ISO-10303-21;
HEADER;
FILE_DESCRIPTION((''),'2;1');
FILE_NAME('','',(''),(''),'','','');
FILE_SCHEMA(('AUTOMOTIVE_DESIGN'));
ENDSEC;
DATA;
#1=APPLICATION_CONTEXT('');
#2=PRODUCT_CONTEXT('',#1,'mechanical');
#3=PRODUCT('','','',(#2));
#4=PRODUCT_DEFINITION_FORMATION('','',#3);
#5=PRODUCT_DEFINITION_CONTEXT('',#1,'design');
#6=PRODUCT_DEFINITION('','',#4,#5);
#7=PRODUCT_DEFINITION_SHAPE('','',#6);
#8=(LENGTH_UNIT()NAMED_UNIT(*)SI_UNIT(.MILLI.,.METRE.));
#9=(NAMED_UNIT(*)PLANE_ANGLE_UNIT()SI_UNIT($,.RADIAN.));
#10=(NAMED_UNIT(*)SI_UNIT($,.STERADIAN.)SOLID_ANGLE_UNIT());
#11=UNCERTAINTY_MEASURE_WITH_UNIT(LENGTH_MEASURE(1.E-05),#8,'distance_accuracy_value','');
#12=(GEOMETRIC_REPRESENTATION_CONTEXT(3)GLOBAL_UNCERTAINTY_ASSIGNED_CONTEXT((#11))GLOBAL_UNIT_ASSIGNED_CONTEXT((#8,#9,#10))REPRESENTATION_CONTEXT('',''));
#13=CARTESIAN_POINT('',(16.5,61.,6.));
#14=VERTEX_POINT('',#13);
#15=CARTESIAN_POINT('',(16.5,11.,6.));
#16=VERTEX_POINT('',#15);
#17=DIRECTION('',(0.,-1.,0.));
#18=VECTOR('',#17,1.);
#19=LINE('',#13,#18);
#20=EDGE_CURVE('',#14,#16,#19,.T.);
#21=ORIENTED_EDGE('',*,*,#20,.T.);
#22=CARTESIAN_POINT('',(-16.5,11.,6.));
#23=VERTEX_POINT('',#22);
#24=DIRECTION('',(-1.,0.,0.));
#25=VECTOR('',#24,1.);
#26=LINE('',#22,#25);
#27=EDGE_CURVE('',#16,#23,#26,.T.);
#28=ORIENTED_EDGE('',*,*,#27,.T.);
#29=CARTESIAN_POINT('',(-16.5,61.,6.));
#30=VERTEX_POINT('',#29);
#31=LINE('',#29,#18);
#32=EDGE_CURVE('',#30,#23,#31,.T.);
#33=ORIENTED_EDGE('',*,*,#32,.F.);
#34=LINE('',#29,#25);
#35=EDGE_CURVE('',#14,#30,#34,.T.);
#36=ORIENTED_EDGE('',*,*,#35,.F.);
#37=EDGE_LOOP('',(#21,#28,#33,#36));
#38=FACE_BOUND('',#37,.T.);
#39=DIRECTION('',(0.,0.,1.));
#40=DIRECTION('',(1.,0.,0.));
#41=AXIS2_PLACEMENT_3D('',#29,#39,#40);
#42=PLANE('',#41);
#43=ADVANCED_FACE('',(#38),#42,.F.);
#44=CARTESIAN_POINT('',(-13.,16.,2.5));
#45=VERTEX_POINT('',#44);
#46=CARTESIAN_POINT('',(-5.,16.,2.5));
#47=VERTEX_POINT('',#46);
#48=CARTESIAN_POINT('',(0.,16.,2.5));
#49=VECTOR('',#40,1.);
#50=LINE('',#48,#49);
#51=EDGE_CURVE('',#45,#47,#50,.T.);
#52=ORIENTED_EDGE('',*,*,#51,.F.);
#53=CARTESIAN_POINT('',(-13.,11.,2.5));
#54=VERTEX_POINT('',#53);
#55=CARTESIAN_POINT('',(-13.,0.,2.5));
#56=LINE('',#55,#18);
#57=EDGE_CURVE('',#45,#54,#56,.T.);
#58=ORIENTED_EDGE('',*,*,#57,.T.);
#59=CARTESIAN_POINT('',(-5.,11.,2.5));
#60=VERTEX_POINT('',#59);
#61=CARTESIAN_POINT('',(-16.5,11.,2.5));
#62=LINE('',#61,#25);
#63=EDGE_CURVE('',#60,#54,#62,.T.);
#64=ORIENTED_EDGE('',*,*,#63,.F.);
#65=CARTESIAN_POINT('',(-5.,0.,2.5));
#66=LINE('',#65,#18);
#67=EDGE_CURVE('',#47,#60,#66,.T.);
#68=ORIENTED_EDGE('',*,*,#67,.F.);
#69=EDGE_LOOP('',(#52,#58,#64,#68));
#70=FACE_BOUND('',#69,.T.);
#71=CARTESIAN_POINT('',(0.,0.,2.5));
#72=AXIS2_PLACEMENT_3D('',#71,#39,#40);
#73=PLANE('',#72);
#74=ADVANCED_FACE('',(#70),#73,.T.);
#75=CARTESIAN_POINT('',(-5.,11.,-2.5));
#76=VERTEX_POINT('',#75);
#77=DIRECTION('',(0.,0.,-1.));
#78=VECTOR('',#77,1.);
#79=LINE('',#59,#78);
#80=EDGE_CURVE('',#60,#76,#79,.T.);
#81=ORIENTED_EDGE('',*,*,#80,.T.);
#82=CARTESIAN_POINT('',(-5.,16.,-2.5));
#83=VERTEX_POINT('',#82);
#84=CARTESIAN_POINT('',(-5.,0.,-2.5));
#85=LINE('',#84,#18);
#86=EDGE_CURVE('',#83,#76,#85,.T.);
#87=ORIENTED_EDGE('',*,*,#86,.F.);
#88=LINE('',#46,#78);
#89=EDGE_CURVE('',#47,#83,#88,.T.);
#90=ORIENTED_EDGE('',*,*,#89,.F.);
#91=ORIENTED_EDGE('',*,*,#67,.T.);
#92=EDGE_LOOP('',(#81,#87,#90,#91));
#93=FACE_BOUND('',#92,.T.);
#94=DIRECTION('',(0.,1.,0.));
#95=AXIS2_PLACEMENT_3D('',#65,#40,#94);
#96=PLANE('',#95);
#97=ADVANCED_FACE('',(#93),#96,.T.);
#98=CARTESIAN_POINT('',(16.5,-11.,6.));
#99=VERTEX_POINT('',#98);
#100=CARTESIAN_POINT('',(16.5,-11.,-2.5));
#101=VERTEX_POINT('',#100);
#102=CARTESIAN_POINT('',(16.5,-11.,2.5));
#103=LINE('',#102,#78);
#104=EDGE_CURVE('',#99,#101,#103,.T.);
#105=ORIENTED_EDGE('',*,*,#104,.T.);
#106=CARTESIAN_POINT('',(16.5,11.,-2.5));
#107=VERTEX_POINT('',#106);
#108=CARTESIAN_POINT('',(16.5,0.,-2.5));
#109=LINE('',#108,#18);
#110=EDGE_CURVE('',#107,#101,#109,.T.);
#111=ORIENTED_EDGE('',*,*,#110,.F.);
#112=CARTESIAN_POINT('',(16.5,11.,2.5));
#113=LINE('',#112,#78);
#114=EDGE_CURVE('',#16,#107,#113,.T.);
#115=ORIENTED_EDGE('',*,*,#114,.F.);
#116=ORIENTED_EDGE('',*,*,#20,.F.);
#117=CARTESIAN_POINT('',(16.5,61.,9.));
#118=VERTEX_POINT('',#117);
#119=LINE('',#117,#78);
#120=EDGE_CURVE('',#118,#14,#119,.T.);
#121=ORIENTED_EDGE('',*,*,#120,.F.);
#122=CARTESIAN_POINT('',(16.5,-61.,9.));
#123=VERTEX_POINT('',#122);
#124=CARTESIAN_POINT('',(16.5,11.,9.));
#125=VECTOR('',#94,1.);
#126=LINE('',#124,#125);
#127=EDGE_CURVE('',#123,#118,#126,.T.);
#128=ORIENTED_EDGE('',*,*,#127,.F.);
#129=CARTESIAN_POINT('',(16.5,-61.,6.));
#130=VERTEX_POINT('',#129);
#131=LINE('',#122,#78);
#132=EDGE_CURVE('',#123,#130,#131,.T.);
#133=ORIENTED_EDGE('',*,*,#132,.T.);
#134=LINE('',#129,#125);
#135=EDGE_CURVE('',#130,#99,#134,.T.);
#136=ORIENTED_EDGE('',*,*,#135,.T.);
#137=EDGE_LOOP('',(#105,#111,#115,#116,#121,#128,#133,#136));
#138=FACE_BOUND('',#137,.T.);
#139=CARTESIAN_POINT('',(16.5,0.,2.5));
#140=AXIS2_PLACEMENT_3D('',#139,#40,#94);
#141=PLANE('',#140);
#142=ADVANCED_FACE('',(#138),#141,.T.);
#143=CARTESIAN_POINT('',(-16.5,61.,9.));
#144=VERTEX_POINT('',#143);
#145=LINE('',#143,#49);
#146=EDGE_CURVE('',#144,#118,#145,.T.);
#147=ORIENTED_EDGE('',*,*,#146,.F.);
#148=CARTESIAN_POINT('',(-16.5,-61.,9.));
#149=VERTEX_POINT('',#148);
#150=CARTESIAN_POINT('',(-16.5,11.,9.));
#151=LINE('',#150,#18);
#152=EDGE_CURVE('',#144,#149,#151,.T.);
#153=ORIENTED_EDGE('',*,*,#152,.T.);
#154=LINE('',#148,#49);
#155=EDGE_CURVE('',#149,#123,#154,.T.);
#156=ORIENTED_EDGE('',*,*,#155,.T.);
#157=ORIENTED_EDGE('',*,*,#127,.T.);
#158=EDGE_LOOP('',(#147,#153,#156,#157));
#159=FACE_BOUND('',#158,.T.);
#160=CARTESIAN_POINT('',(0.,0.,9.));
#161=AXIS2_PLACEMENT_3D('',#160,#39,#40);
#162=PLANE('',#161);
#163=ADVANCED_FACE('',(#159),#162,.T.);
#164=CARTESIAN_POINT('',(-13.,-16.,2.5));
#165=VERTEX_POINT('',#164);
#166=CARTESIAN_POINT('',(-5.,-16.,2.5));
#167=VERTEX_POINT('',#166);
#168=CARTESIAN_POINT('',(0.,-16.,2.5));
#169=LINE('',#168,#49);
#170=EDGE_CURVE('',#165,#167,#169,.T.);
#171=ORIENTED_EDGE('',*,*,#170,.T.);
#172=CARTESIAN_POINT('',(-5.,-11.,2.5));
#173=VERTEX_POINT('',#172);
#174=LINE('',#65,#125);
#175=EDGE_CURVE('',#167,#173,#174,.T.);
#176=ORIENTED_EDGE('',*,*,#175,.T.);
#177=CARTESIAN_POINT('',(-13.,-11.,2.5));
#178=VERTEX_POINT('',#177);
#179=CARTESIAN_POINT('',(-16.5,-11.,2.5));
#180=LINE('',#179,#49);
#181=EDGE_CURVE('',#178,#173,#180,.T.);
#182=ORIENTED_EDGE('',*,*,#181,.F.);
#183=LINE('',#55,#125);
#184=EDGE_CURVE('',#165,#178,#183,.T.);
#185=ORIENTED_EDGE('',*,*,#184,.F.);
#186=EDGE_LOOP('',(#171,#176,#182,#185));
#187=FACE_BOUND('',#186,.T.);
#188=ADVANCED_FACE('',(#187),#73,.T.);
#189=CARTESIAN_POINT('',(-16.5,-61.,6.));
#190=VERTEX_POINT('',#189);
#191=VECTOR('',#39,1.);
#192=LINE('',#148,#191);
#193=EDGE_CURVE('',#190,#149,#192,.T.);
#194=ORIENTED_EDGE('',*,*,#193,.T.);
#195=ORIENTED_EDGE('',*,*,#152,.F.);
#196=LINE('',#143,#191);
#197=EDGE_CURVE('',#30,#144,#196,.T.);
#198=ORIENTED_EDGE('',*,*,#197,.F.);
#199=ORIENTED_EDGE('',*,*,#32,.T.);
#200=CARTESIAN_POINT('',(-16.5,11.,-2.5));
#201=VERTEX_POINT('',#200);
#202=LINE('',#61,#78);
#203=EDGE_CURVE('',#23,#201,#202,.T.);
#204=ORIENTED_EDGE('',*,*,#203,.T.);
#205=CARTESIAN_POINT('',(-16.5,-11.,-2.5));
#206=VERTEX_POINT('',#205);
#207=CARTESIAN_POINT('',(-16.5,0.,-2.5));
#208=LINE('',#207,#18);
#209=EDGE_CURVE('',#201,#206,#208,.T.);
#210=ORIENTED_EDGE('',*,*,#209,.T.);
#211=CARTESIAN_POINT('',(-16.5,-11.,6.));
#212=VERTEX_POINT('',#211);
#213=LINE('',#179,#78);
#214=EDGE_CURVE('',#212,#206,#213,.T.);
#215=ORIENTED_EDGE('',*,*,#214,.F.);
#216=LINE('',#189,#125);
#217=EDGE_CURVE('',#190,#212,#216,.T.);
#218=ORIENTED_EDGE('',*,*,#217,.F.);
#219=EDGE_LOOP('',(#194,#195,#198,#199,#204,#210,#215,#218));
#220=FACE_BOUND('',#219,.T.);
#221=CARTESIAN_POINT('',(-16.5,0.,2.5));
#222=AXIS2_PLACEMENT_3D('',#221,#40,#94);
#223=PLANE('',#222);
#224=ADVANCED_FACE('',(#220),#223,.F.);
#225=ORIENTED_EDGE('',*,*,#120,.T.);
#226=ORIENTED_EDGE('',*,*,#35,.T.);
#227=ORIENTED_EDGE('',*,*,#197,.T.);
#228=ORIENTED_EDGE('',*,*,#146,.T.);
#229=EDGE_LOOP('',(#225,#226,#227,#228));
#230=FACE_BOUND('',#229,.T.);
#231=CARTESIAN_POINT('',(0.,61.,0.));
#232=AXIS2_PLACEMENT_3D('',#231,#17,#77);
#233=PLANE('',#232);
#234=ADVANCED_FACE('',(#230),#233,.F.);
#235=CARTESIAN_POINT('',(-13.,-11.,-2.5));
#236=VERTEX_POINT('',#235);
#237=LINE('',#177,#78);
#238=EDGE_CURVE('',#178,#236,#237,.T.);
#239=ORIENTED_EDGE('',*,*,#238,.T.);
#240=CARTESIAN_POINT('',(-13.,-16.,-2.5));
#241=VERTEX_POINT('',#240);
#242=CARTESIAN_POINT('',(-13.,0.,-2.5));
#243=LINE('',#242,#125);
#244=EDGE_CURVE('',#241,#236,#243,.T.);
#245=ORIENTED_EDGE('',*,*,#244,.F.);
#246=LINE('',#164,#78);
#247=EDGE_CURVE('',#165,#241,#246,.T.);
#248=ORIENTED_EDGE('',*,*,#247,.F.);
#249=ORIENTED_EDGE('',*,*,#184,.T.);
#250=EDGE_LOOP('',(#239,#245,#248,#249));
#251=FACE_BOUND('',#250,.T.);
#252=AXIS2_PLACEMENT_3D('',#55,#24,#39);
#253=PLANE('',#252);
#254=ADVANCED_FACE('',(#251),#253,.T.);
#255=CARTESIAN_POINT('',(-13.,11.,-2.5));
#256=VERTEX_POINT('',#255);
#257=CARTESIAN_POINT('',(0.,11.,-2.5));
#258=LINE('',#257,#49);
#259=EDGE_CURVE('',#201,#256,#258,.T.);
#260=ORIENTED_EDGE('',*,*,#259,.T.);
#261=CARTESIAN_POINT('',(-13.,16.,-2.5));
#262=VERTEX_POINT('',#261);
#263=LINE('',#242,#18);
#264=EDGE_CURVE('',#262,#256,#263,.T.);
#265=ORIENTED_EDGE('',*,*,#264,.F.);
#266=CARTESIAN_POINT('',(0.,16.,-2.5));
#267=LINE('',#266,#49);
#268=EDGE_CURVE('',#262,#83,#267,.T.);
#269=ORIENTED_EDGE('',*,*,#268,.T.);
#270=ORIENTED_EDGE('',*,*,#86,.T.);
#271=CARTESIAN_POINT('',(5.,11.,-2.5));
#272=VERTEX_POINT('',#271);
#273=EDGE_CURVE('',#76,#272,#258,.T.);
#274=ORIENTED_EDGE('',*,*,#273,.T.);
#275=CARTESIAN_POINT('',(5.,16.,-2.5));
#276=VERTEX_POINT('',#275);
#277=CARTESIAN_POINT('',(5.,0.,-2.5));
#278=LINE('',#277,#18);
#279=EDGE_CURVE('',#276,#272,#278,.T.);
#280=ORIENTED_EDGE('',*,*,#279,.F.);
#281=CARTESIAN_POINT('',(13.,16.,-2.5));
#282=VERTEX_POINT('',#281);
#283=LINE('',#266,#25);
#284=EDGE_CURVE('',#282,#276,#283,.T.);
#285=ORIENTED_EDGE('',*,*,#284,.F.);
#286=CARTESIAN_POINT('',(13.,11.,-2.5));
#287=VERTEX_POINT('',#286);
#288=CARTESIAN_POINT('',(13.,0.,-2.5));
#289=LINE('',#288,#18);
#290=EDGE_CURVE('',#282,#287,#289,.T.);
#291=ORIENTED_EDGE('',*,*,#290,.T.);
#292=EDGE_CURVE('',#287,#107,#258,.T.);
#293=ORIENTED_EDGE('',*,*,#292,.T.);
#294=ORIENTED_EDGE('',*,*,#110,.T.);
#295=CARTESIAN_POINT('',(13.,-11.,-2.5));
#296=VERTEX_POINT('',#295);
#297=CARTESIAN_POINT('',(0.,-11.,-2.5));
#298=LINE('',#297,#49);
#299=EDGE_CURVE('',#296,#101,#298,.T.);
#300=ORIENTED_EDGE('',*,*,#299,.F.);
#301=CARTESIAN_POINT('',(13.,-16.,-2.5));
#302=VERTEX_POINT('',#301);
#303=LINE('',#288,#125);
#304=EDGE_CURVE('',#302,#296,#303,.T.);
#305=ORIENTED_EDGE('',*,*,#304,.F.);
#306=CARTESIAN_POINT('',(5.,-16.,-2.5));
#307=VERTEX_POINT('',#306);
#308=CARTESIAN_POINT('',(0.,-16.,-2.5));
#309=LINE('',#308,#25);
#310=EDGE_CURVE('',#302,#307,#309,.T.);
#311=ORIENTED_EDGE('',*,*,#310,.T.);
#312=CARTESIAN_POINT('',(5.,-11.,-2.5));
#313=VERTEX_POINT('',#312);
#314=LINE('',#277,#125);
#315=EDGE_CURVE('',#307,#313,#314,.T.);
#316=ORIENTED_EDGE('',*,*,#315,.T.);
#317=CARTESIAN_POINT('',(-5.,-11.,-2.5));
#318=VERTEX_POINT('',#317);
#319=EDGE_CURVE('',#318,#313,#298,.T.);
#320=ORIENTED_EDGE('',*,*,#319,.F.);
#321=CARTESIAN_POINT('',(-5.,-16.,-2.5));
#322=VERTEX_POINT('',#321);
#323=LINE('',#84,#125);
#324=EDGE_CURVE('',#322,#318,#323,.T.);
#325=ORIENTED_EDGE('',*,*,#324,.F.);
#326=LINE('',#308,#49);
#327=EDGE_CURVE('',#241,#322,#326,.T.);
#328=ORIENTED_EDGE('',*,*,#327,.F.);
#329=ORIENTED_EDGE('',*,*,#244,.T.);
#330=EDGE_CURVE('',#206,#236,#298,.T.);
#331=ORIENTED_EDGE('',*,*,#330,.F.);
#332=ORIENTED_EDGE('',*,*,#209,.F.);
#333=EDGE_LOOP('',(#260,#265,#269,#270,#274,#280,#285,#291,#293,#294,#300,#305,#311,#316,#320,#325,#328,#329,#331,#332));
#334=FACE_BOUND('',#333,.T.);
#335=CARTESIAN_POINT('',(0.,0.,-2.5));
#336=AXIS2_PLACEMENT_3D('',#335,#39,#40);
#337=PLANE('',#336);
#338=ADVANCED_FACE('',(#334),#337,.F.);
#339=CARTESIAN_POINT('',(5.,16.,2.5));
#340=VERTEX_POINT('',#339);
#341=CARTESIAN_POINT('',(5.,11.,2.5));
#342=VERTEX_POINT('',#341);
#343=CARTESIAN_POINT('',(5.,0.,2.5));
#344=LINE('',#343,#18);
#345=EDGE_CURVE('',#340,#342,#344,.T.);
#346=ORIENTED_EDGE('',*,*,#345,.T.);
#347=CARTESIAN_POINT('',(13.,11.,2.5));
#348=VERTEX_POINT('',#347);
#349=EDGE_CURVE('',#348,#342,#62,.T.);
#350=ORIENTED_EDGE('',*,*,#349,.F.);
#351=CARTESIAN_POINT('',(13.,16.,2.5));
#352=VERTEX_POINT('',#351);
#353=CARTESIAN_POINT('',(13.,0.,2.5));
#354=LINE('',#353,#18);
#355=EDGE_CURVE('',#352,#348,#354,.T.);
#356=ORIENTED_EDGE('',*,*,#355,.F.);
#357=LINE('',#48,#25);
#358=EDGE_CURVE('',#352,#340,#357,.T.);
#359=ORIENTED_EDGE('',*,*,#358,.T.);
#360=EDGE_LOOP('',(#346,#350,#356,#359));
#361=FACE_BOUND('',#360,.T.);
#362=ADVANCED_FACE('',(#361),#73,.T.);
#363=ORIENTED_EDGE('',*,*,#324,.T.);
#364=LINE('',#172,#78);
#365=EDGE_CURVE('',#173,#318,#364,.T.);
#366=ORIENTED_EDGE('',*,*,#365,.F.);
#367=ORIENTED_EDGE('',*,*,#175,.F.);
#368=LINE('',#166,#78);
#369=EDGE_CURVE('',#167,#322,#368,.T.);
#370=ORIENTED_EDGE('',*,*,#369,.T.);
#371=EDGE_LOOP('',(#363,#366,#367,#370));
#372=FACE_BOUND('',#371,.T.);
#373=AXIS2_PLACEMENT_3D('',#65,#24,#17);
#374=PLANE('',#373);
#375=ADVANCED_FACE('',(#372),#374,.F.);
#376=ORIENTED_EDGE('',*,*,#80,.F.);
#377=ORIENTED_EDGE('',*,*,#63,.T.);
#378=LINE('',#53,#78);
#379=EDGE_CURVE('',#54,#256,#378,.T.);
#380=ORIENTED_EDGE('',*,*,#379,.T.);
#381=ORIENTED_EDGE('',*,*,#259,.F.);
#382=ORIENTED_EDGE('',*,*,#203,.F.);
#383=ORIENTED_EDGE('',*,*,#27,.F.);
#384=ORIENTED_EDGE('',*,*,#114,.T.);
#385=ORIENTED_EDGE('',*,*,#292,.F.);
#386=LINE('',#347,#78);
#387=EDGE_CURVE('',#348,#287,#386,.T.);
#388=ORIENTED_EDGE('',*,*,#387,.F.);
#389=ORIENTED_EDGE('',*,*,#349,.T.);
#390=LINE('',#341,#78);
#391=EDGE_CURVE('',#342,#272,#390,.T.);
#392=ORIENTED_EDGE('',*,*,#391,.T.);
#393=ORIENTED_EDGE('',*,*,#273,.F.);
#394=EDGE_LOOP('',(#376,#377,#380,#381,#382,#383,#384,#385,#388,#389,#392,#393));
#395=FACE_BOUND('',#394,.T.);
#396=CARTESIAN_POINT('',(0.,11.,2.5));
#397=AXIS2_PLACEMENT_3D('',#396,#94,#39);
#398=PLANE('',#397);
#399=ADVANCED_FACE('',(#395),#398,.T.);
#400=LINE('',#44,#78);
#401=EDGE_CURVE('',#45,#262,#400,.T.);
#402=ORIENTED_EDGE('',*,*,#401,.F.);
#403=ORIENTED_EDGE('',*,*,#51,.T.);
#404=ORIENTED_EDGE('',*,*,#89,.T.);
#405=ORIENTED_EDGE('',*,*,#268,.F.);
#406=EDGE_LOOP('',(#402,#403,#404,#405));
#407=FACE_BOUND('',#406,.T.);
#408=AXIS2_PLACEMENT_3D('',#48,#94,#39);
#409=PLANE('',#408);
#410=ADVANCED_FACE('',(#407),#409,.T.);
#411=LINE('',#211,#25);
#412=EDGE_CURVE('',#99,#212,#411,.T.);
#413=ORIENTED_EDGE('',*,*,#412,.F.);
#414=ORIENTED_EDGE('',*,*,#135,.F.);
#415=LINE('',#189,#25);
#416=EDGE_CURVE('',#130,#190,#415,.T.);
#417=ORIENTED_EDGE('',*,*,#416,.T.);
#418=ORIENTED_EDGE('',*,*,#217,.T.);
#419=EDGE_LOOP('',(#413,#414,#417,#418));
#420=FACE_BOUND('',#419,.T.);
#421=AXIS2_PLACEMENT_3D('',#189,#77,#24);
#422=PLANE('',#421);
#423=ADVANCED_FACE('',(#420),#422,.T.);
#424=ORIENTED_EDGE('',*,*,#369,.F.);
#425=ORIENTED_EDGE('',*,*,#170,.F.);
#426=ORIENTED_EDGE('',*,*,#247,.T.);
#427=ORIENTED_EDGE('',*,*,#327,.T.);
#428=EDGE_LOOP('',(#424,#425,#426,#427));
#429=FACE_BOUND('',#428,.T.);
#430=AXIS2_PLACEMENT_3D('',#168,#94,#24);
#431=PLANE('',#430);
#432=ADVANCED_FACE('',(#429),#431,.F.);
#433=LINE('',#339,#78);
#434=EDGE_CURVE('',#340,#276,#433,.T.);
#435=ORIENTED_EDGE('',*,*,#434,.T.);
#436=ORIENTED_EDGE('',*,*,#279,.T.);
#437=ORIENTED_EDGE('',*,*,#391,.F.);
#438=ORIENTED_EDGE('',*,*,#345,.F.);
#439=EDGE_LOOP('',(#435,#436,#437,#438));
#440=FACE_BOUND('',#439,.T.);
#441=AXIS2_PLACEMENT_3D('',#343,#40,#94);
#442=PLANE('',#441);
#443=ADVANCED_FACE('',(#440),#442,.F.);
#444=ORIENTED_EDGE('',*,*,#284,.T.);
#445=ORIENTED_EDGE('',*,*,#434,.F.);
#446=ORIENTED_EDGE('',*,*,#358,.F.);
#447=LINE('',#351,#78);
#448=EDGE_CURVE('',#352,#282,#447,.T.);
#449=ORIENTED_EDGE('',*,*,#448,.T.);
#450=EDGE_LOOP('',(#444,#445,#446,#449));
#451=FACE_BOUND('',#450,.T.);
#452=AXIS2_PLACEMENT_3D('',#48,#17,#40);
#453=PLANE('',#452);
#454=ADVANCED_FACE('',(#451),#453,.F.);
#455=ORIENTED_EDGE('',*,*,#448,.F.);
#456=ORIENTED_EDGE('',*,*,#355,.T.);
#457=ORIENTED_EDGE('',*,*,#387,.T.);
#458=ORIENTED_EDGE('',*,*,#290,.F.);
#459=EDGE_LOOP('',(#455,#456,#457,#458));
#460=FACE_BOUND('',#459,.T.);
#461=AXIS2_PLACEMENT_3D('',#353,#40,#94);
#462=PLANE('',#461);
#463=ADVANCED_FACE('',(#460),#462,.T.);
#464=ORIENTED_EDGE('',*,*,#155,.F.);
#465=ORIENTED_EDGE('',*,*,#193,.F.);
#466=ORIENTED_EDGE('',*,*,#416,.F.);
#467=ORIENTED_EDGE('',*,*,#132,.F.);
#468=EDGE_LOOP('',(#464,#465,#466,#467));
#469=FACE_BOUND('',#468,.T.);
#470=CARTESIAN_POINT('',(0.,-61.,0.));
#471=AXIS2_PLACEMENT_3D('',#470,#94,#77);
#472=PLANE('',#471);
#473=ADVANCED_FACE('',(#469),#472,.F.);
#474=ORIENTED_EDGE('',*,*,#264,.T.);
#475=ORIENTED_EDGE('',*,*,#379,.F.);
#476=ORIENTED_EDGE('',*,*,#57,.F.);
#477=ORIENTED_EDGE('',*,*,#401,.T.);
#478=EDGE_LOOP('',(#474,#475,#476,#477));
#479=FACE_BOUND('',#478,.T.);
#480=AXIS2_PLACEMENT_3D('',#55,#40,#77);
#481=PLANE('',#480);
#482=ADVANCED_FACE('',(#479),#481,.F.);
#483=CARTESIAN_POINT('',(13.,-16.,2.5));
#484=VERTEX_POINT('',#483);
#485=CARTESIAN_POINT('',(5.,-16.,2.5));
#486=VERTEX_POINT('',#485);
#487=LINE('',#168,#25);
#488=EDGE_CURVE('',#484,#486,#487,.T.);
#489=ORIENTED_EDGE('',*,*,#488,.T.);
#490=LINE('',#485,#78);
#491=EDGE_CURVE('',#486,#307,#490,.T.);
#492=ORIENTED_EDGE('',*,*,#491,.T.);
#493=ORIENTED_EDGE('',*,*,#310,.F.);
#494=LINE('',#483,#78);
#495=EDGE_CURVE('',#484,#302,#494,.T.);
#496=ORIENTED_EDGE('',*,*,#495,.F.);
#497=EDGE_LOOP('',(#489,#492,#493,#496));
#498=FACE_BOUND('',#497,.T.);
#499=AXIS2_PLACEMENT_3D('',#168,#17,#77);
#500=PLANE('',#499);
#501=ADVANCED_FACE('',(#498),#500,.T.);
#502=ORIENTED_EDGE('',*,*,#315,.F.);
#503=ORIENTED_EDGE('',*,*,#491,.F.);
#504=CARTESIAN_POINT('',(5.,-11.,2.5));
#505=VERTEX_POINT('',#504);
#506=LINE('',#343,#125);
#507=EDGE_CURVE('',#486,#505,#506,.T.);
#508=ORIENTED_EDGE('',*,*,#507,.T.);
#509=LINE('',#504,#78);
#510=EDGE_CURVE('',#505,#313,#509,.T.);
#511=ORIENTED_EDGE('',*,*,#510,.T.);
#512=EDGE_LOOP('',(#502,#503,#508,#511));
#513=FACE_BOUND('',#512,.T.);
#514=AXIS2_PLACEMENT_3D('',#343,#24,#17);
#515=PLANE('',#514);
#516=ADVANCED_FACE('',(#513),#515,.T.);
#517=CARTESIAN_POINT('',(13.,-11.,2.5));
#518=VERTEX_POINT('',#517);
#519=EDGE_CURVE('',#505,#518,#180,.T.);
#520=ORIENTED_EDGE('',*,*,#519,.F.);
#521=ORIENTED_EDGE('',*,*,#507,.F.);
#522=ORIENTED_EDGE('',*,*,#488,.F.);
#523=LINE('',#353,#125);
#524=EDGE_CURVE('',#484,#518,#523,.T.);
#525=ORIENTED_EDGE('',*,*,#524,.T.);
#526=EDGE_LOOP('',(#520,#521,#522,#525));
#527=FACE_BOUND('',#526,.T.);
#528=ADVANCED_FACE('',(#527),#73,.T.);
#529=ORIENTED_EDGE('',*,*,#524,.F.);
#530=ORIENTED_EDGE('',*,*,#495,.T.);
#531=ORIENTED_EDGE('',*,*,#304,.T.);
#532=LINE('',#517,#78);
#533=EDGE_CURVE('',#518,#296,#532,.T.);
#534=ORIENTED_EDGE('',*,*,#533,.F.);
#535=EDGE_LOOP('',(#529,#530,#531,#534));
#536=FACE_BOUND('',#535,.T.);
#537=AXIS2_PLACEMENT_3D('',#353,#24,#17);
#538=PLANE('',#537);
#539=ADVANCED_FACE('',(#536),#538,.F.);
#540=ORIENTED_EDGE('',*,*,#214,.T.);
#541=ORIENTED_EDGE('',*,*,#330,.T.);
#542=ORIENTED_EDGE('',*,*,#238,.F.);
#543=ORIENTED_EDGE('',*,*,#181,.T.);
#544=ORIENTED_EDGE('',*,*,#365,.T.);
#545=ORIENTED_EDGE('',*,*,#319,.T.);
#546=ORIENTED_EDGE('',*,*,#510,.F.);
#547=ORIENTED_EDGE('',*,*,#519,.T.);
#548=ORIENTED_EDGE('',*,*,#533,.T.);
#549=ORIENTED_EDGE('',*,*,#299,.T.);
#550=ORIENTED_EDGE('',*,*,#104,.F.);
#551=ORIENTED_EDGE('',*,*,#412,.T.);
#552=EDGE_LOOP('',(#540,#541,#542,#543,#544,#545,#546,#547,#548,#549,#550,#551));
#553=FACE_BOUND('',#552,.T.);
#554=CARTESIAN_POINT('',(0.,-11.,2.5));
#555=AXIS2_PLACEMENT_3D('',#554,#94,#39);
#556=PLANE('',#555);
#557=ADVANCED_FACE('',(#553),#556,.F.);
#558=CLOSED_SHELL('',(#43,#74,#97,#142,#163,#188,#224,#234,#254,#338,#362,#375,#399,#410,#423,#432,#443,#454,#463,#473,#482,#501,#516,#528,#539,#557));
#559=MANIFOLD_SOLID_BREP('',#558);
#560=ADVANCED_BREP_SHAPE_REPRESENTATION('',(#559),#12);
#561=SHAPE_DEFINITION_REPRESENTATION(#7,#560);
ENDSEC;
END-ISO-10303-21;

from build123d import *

# Parameters (mm, degrees)
BOSS_EXTRUDE1_DEPTH = 2.5
SKETCH_1_W          = 33
SKETCH_1_H          = 22
EXTRUDE_1_DEPTH     = 6.5
SKETCH_2_W          = 33
SKETCH_2_H          = 3
EXTRUDE_2_DEPTH     = 50


with BuildPart() as part:
    # Sketch1 → Boss-Extrude1 (new, symmetric)
    with BuildSketch(Plane.XY):
        Polygon((-13, 11), (-16.5, 11), (-16.5, -11), (-13, -11), (-13, -16), (-5, -16), (-5, -11), (5, -11), (5, -16), (13, -16), (13, -11), (16.5, -11), (16.5, 11), (13, 11), (13, 16), (5, 16), (5, 11), (-5, 11), (-5, 16), (-13, 16), align=None)
    extrude(amount=BOSS_EXTRUDE1_DEPTH, both=True)

    # 草图1 → 凸台-拉伸1 (add)
    with BuildSketch(Plane.XY.offset(2.5)):
        Rectangle(SKETCH_1_W, SKETCH_1_H)
    extrude(amount=EXTRUDE_1_DEPTH)

    # 草图2 → 凸台-拉伸2 (add)
    with BuildSketch(Plane(origin=(0, 11, 0), x_dir=(1, 0, 0), z_dir=(0, 1, 0))):
        with Locations((0, -7.5)):
            Rectangle(SKETCH_2_W, SKETCH_2_H)
    extrude_2 = extrude(amount=EXTRUDE_2_DEPTH)

    # 镜向1: 凸台-拉伸2 across plane
    add(extrude_2.mirror(Plane.ZX))


solid = part.part
